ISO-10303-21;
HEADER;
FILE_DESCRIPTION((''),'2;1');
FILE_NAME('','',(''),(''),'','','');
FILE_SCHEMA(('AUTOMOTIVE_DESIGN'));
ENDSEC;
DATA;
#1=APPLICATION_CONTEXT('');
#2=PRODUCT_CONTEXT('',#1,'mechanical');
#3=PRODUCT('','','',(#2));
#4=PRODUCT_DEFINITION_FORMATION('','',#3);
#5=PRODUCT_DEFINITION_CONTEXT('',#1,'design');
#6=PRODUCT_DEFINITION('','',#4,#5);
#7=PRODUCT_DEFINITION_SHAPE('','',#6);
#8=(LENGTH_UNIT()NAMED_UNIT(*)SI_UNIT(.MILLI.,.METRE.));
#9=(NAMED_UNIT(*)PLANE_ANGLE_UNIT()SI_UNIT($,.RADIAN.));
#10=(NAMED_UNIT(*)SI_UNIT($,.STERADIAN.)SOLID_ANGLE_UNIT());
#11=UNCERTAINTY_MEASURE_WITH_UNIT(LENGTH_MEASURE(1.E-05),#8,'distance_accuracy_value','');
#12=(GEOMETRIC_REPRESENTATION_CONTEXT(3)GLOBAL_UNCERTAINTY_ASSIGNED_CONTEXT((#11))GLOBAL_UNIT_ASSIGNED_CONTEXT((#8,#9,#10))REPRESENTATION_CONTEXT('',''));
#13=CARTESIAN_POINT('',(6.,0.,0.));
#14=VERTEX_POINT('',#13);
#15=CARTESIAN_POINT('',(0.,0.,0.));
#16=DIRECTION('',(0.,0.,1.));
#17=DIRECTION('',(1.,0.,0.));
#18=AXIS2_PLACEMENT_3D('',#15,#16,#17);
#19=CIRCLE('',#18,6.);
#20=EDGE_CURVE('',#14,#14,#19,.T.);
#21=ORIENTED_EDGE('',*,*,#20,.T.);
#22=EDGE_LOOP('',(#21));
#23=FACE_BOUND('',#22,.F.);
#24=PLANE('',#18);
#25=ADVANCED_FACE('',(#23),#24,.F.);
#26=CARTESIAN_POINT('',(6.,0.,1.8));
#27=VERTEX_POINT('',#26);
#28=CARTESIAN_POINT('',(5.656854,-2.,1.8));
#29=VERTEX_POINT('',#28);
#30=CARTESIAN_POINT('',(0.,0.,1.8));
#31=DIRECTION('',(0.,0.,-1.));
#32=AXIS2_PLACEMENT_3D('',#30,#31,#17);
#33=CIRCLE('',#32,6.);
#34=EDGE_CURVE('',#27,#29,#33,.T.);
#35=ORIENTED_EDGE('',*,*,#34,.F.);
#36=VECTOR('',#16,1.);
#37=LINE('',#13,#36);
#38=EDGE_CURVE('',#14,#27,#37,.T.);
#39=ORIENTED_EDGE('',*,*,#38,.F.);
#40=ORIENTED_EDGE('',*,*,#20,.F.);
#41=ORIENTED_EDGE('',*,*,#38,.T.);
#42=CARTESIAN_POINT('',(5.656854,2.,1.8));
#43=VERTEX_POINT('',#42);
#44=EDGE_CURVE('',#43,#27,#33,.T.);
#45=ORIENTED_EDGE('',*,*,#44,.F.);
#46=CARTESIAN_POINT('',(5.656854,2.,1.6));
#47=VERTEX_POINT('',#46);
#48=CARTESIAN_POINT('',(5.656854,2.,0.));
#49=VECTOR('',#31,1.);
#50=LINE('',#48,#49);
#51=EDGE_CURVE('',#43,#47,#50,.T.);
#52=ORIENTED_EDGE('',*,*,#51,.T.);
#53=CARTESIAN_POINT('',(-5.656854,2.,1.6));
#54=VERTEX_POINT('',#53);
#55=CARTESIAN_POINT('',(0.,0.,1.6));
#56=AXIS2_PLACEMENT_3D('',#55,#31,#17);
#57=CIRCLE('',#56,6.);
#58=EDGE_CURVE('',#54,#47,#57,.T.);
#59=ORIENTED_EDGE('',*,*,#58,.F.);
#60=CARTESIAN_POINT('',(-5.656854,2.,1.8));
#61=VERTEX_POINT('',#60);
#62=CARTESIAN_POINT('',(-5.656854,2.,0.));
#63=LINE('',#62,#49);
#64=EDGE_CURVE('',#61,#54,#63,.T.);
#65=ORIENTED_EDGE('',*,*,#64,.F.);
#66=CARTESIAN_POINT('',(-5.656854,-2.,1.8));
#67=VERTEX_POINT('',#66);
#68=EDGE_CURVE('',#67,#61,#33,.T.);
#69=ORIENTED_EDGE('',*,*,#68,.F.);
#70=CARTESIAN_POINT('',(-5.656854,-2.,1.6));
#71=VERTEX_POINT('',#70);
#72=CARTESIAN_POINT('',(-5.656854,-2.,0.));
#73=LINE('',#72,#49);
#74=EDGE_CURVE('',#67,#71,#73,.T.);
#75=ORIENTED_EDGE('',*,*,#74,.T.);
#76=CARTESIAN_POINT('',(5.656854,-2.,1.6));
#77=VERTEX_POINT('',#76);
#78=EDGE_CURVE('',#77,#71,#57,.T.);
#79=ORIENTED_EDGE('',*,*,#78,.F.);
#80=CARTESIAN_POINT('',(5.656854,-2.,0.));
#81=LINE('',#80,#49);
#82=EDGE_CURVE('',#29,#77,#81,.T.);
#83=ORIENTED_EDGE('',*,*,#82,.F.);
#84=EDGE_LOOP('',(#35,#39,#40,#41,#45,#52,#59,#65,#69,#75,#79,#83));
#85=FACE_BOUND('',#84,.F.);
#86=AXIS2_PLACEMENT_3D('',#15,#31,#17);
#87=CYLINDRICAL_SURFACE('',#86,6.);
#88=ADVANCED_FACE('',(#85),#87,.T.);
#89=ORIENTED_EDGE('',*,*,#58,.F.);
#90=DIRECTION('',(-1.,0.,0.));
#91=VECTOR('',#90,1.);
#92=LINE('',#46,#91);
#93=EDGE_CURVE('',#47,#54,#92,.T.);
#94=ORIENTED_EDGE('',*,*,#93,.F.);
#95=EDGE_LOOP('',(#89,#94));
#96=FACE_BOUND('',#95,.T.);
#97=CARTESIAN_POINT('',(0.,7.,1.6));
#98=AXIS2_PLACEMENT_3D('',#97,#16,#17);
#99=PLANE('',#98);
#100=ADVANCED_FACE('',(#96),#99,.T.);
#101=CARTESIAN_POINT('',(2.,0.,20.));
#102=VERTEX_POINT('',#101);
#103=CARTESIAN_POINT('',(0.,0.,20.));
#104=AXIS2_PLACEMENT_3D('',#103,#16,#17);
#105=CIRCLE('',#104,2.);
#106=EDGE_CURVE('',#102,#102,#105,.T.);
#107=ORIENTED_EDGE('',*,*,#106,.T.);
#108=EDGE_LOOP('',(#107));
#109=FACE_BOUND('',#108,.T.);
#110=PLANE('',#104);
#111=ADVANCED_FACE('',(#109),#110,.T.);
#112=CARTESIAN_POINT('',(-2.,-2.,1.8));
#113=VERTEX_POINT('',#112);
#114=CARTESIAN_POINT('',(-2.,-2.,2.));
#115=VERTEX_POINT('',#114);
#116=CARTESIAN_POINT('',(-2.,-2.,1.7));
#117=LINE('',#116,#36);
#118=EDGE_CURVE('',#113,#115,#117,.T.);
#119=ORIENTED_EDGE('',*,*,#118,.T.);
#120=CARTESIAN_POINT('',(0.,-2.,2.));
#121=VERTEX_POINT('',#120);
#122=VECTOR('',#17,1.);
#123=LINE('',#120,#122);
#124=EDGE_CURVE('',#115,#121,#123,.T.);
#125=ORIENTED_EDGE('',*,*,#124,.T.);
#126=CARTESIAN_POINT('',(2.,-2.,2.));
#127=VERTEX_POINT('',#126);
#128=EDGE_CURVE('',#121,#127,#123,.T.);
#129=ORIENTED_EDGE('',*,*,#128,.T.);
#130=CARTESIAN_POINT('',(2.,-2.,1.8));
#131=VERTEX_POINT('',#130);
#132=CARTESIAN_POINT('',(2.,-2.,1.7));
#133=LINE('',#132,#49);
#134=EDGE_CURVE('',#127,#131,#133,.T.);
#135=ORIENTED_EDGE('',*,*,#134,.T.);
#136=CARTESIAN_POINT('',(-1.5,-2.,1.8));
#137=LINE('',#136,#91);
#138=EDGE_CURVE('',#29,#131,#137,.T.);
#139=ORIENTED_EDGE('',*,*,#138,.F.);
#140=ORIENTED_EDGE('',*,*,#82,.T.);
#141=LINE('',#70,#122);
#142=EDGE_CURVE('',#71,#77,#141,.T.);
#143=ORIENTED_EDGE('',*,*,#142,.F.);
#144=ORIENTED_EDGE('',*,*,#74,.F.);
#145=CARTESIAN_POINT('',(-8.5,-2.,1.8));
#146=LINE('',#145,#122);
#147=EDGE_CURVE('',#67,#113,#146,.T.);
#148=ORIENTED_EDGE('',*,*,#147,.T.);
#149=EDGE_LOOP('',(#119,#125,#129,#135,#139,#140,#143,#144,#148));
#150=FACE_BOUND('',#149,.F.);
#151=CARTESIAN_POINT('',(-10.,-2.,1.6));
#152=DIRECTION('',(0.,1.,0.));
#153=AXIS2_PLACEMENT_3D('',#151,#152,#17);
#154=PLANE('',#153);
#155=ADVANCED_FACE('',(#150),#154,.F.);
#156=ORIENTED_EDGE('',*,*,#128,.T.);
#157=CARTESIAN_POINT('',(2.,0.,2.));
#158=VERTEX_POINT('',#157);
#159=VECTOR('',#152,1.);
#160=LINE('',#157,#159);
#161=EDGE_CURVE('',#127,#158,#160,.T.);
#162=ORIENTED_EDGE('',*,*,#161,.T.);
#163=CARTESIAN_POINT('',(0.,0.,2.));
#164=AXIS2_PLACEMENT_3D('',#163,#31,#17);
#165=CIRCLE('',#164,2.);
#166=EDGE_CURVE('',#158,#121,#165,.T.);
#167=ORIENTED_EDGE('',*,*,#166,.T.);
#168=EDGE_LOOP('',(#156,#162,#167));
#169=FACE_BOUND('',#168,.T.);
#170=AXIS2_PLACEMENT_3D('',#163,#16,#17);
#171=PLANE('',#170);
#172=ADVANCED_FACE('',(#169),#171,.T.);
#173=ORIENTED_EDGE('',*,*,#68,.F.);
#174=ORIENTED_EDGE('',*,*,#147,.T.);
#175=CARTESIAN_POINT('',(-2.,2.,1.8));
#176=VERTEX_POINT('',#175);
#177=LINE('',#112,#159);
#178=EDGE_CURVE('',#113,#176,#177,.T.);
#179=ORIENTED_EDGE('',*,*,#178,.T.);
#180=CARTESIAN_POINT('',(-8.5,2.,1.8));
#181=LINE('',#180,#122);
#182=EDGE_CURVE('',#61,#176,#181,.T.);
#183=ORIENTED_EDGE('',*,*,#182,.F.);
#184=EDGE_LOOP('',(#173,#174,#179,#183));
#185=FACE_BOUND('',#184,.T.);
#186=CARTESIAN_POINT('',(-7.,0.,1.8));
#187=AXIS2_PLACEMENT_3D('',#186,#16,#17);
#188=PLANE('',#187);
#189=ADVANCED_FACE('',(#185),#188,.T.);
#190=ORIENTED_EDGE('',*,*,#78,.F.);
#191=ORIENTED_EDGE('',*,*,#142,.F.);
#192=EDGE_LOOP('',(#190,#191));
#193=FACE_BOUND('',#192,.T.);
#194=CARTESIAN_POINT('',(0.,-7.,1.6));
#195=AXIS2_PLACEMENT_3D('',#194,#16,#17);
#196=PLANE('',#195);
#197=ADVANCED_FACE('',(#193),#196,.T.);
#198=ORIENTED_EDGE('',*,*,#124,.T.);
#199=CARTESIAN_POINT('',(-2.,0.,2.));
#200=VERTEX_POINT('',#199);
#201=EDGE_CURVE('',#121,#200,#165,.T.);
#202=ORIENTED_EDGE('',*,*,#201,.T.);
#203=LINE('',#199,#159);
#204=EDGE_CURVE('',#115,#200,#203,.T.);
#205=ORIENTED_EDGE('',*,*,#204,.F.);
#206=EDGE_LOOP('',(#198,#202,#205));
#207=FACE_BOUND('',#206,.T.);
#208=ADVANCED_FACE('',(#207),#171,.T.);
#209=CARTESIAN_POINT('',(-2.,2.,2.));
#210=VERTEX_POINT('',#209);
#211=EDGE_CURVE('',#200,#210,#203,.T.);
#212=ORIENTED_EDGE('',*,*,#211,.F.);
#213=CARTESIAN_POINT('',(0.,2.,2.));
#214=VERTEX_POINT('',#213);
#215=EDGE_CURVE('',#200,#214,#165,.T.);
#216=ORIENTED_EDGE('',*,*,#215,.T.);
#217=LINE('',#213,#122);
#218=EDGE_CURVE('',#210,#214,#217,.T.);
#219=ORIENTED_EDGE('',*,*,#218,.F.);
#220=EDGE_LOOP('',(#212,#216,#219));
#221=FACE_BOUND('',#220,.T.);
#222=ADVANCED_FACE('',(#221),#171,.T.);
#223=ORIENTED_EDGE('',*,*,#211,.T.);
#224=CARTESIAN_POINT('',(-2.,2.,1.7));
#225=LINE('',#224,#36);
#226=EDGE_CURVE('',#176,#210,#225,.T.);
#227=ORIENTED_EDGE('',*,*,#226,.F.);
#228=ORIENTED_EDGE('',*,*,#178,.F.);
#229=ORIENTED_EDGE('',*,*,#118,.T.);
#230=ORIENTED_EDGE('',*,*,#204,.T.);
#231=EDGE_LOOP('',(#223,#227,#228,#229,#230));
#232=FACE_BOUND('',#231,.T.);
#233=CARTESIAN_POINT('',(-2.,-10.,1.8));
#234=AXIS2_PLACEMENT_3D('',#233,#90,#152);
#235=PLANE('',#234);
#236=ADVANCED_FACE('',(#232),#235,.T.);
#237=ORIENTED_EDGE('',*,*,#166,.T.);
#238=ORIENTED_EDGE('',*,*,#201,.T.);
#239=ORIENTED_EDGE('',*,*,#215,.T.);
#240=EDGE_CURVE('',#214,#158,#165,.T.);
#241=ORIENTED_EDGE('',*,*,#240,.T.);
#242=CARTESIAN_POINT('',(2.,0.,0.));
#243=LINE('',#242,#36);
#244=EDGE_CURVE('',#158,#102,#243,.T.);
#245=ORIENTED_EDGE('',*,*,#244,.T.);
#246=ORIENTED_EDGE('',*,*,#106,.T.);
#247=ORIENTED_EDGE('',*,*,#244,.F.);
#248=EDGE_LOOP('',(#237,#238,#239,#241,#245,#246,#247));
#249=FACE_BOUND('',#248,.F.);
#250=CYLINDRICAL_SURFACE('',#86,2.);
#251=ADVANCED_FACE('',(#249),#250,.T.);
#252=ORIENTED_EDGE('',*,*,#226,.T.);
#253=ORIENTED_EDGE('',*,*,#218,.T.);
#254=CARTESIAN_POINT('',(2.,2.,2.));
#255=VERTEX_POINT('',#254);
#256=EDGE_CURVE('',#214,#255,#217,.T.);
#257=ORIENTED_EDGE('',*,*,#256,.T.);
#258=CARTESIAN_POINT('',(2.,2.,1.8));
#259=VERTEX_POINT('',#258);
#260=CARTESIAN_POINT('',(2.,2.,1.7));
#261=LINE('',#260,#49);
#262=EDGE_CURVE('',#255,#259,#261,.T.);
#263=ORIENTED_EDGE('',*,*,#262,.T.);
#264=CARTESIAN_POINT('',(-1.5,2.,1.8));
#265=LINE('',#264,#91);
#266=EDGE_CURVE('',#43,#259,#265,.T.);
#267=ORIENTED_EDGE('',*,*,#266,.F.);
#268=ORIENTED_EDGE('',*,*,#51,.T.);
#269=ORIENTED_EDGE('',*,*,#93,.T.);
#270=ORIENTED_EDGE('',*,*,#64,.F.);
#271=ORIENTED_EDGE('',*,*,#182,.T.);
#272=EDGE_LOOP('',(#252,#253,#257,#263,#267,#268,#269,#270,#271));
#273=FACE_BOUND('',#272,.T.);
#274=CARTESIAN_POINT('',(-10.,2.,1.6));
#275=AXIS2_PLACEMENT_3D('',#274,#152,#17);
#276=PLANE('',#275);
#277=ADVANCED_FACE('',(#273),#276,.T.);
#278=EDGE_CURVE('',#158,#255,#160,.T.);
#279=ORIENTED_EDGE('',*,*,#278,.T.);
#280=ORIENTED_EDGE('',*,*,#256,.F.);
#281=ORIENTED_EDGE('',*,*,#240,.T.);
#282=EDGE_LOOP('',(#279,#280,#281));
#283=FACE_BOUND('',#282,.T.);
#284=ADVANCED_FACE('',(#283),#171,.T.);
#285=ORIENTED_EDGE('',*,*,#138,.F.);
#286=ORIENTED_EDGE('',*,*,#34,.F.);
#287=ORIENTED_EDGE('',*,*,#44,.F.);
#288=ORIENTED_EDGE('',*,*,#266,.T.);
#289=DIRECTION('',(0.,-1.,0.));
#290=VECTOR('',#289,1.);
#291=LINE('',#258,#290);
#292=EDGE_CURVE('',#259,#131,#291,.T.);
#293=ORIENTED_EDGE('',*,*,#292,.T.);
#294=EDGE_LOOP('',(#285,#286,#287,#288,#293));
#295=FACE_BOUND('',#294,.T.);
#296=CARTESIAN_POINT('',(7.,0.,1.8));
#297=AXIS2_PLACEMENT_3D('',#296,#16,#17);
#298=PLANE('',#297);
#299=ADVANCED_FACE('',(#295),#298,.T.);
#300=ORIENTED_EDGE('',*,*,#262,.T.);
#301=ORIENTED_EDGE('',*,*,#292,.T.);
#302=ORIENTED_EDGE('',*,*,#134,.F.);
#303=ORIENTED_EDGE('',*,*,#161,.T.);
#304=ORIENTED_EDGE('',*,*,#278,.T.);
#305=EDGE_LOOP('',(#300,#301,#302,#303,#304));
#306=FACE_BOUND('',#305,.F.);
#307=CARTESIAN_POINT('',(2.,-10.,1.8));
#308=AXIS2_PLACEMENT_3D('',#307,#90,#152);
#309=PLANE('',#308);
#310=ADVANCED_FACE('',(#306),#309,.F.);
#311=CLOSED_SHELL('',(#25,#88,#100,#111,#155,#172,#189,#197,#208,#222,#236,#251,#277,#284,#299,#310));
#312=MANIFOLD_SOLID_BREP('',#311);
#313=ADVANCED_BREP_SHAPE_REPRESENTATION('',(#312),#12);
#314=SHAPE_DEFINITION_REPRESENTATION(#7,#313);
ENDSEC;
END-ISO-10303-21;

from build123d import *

# Parameters (mm, degrees)
BOX005_W          = 20
BOX005_H          = 10
BOX005_DEPTH      = 0.4
BOX007_W          = 20
BOX007_H          = 10
BOX007_DEPTH      = 0.4
BOX006_W          = 10
BOX006_H          = 20
BOX006_DEPTH      = 0.2
BOX008_W          = 10
BOX008_H          = 20
BOX008_DEPTH      = 0.2
CYLINDER001_R     = 6
CYLINDER001_DEPTH = 2
CYLINDER_R        = 2
CYLINDER_DEPTH    = 20


with BuildPart() as cube005:
    # Box005 → Box005 (new body)
    with BuildSketch(Plane(origin=(-10, 2, 1.6), x_dir=(1, 0, 0), z_dir=(0, 0, 1))):
        with Locations((10, 5)):
            Rectangle(BOX005_W, BOX005_H)
    extrude(amount=BOX005_DEPTH)


with BuildPart() as cube007:
    # Box007 → Box007 (new body)
    with BuildSketch(Plane(origin=(-10, -12, 1.6), x_dir=(1, 0, 0), z_dir=(0, 0, 1))):
        with Locations((10, 5)):
            Rectangle(BOX007_W, BOX007_H)
    extrude(amount=BOX007_DEPTH)


with BuildPart() as cube006:
    # Box006 → Box006 (new body)
    with BuildSketch(Plane(origin=(-12, -10, 1.8), x_dir=(1, 0, 0), z_dir=(0, 0, 1))):
        with Locations((5, 10)):
            Rectangle(BOX006_W, BOX006_H)
    extrude(amount=BOX006_DEPTH)


with BuildPart() as fusion001:
    # Box008 → Box008 (new body)
    with BuildSketch(Plane(origin=(2, -10, 1.8), x_dir=(1, 0, 0), z_dir=(0, 0, 1))):
        with Locations((5, 10)):
            Rectangle(BOX008_W, BOX008_H)
    extrude(amount=BOX008_DEPTH)

    # Fusion001: union Cube005, Cube007, Cube006
    add(cube005.part)
    add(cube007.part)
    add(cube006.part)


with BuildPart() as cut:
    # Cylinder001 → Cylinder001 (new body)
    with BuildSketch(Plane.XY):
        Circle(CYLINDER001_R)
    extrude(amount=CYLINDER001_DEPTH)

    # Cut: cut Fusion001
    add(fusion001.part, mode=Mode.SUBTRACT)


with BuildPart() as fusion002:
    # Cylinder → Cylinder (new body)
    with BuildSketch(Plane.XY):
        Circle(CYLINDER_R)
    extrude(amount=CYLINDER_DEPTH)

    # Fusion002: union Cut
    add(cut.part)


solid = fusion002.part
